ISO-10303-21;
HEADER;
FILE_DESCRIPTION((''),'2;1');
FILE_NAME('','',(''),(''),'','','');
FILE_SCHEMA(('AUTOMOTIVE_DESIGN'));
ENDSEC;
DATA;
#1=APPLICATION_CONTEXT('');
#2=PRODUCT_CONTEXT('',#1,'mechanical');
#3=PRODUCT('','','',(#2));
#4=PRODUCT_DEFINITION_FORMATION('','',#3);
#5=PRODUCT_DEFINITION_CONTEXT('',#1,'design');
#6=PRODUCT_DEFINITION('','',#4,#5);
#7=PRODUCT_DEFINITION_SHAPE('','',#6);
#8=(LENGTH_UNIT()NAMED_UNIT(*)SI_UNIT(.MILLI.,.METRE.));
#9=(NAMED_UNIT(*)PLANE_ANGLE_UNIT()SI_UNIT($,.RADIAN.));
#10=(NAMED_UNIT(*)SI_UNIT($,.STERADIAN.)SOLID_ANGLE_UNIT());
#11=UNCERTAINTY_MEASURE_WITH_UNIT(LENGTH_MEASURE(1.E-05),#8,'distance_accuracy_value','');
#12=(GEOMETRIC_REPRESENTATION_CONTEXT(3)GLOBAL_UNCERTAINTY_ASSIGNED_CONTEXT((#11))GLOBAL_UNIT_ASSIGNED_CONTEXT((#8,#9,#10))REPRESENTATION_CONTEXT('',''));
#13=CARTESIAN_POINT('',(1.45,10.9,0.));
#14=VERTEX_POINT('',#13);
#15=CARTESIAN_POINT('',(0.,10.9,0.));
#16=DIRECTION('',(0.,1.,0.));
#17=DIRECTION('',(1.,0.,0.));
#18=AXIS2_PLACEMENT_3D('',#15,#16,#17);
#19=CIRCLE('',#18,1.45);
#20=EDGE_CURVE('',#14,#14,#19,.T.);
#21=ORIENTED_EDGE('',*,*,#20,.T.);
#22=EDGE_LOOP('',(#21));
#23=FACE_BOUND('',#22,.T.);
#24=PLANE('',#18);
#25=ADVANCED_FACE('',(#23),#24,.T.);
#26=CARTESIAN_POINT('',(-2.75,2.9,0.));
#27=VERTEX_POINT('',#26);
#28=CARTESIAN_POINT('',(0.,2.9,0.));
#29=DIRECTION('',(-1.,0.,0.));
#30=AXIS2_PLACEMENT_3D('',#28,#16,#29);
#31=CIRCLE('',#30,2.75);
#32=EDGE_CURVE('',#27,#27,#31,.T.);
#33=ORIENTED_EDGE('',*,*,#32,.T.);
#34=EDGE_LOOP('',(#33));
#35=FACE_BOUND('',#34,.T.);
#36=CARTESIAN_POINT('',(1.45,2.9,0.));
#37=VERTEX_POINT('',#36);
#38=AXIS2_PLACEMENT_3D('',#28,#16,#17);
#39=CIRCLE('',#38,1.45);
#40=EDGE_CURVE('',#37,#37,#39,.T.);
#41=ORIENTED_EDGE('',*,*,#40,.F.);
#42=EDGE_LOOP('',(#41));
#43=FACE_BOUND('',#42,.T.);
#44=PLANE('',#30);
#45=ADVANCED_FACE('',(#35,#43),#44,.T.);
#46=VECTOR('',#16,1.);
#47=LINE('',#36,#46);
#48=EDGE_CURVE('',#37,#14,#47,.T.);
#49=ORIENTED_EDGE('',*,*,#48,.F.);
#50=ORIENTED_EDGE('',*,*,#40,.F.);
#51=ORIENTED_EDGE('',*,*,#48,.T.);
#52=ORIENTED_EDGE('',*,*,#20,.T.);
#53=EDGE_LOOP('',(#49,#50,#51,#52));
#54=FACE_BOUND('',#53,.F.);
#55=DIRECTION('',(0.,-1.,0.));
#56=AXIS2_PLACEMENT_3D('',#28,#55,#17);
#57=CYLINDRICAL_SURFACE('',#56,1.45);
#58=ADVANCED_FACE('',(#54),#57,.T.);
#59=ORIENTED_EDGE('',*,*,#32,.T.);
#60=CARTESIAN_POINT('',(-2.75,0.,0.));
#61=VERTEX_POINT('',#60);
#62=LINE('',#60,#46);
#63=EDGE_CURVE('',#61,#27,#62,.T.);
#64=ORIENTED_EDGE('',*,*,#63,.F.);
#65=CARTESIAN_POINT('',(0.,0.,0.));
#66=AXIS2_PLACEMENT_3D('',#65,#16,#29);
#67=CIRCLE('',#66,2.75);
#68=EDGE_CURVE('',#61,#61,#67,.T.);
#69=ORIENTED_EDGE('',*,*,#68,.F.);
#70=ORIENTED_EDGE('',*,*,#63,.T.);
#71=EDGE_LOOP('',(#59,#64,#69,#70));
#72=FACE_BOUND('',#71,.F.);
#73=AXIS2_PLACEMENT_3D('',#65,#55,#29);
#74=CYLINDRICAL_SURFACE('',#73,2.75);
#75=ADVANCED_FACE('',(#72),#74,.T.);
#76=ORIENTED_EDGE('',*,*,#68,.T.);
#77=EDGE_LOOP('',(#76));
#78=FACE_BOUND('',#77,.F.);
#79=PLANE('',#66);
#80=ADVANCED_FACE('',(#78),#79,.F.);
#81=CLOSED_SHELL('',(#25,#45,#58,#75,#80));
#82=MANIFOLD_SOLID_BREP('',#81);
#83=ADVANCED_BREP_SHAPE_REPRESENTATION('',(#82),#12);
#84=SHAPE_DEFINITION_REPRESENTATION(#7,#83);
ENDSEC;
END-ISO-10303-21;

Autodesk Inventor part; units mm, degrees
ref_plane "YZ Plane" through (0, 0, 0) normal (1, 0, 0) x (0, 1, 0)
ref_plane "XZ Plane" through (0, 0, 0) normal (0, 1, 0) x (-1, 0, 0)
ref_plane "XY Plane" through (0, 0, 0) normal (0, 0, 1) x (1, 0, 0)
sketch "스케치1" plane through (0, 0, 0) normal (0, 1, 0) x (-1, 0, 0)
  circle A0 centre (0, 0) radius 2.75
  dimension "d0" = 5.5
extrude "돌출1" add sketch "스케치1" along normal blind 2.9
sketch "스케치2" plane through (0, 2.9, 0) normal (0, 1, 0) x (1, 0, 0)
  circle A0 centre (0, 0) radius 1.45
  dimension "d3" = 2.9
extrude "돌출2" add sketch "스케치2" along normal blind 8
properties part number "cell_pin"
